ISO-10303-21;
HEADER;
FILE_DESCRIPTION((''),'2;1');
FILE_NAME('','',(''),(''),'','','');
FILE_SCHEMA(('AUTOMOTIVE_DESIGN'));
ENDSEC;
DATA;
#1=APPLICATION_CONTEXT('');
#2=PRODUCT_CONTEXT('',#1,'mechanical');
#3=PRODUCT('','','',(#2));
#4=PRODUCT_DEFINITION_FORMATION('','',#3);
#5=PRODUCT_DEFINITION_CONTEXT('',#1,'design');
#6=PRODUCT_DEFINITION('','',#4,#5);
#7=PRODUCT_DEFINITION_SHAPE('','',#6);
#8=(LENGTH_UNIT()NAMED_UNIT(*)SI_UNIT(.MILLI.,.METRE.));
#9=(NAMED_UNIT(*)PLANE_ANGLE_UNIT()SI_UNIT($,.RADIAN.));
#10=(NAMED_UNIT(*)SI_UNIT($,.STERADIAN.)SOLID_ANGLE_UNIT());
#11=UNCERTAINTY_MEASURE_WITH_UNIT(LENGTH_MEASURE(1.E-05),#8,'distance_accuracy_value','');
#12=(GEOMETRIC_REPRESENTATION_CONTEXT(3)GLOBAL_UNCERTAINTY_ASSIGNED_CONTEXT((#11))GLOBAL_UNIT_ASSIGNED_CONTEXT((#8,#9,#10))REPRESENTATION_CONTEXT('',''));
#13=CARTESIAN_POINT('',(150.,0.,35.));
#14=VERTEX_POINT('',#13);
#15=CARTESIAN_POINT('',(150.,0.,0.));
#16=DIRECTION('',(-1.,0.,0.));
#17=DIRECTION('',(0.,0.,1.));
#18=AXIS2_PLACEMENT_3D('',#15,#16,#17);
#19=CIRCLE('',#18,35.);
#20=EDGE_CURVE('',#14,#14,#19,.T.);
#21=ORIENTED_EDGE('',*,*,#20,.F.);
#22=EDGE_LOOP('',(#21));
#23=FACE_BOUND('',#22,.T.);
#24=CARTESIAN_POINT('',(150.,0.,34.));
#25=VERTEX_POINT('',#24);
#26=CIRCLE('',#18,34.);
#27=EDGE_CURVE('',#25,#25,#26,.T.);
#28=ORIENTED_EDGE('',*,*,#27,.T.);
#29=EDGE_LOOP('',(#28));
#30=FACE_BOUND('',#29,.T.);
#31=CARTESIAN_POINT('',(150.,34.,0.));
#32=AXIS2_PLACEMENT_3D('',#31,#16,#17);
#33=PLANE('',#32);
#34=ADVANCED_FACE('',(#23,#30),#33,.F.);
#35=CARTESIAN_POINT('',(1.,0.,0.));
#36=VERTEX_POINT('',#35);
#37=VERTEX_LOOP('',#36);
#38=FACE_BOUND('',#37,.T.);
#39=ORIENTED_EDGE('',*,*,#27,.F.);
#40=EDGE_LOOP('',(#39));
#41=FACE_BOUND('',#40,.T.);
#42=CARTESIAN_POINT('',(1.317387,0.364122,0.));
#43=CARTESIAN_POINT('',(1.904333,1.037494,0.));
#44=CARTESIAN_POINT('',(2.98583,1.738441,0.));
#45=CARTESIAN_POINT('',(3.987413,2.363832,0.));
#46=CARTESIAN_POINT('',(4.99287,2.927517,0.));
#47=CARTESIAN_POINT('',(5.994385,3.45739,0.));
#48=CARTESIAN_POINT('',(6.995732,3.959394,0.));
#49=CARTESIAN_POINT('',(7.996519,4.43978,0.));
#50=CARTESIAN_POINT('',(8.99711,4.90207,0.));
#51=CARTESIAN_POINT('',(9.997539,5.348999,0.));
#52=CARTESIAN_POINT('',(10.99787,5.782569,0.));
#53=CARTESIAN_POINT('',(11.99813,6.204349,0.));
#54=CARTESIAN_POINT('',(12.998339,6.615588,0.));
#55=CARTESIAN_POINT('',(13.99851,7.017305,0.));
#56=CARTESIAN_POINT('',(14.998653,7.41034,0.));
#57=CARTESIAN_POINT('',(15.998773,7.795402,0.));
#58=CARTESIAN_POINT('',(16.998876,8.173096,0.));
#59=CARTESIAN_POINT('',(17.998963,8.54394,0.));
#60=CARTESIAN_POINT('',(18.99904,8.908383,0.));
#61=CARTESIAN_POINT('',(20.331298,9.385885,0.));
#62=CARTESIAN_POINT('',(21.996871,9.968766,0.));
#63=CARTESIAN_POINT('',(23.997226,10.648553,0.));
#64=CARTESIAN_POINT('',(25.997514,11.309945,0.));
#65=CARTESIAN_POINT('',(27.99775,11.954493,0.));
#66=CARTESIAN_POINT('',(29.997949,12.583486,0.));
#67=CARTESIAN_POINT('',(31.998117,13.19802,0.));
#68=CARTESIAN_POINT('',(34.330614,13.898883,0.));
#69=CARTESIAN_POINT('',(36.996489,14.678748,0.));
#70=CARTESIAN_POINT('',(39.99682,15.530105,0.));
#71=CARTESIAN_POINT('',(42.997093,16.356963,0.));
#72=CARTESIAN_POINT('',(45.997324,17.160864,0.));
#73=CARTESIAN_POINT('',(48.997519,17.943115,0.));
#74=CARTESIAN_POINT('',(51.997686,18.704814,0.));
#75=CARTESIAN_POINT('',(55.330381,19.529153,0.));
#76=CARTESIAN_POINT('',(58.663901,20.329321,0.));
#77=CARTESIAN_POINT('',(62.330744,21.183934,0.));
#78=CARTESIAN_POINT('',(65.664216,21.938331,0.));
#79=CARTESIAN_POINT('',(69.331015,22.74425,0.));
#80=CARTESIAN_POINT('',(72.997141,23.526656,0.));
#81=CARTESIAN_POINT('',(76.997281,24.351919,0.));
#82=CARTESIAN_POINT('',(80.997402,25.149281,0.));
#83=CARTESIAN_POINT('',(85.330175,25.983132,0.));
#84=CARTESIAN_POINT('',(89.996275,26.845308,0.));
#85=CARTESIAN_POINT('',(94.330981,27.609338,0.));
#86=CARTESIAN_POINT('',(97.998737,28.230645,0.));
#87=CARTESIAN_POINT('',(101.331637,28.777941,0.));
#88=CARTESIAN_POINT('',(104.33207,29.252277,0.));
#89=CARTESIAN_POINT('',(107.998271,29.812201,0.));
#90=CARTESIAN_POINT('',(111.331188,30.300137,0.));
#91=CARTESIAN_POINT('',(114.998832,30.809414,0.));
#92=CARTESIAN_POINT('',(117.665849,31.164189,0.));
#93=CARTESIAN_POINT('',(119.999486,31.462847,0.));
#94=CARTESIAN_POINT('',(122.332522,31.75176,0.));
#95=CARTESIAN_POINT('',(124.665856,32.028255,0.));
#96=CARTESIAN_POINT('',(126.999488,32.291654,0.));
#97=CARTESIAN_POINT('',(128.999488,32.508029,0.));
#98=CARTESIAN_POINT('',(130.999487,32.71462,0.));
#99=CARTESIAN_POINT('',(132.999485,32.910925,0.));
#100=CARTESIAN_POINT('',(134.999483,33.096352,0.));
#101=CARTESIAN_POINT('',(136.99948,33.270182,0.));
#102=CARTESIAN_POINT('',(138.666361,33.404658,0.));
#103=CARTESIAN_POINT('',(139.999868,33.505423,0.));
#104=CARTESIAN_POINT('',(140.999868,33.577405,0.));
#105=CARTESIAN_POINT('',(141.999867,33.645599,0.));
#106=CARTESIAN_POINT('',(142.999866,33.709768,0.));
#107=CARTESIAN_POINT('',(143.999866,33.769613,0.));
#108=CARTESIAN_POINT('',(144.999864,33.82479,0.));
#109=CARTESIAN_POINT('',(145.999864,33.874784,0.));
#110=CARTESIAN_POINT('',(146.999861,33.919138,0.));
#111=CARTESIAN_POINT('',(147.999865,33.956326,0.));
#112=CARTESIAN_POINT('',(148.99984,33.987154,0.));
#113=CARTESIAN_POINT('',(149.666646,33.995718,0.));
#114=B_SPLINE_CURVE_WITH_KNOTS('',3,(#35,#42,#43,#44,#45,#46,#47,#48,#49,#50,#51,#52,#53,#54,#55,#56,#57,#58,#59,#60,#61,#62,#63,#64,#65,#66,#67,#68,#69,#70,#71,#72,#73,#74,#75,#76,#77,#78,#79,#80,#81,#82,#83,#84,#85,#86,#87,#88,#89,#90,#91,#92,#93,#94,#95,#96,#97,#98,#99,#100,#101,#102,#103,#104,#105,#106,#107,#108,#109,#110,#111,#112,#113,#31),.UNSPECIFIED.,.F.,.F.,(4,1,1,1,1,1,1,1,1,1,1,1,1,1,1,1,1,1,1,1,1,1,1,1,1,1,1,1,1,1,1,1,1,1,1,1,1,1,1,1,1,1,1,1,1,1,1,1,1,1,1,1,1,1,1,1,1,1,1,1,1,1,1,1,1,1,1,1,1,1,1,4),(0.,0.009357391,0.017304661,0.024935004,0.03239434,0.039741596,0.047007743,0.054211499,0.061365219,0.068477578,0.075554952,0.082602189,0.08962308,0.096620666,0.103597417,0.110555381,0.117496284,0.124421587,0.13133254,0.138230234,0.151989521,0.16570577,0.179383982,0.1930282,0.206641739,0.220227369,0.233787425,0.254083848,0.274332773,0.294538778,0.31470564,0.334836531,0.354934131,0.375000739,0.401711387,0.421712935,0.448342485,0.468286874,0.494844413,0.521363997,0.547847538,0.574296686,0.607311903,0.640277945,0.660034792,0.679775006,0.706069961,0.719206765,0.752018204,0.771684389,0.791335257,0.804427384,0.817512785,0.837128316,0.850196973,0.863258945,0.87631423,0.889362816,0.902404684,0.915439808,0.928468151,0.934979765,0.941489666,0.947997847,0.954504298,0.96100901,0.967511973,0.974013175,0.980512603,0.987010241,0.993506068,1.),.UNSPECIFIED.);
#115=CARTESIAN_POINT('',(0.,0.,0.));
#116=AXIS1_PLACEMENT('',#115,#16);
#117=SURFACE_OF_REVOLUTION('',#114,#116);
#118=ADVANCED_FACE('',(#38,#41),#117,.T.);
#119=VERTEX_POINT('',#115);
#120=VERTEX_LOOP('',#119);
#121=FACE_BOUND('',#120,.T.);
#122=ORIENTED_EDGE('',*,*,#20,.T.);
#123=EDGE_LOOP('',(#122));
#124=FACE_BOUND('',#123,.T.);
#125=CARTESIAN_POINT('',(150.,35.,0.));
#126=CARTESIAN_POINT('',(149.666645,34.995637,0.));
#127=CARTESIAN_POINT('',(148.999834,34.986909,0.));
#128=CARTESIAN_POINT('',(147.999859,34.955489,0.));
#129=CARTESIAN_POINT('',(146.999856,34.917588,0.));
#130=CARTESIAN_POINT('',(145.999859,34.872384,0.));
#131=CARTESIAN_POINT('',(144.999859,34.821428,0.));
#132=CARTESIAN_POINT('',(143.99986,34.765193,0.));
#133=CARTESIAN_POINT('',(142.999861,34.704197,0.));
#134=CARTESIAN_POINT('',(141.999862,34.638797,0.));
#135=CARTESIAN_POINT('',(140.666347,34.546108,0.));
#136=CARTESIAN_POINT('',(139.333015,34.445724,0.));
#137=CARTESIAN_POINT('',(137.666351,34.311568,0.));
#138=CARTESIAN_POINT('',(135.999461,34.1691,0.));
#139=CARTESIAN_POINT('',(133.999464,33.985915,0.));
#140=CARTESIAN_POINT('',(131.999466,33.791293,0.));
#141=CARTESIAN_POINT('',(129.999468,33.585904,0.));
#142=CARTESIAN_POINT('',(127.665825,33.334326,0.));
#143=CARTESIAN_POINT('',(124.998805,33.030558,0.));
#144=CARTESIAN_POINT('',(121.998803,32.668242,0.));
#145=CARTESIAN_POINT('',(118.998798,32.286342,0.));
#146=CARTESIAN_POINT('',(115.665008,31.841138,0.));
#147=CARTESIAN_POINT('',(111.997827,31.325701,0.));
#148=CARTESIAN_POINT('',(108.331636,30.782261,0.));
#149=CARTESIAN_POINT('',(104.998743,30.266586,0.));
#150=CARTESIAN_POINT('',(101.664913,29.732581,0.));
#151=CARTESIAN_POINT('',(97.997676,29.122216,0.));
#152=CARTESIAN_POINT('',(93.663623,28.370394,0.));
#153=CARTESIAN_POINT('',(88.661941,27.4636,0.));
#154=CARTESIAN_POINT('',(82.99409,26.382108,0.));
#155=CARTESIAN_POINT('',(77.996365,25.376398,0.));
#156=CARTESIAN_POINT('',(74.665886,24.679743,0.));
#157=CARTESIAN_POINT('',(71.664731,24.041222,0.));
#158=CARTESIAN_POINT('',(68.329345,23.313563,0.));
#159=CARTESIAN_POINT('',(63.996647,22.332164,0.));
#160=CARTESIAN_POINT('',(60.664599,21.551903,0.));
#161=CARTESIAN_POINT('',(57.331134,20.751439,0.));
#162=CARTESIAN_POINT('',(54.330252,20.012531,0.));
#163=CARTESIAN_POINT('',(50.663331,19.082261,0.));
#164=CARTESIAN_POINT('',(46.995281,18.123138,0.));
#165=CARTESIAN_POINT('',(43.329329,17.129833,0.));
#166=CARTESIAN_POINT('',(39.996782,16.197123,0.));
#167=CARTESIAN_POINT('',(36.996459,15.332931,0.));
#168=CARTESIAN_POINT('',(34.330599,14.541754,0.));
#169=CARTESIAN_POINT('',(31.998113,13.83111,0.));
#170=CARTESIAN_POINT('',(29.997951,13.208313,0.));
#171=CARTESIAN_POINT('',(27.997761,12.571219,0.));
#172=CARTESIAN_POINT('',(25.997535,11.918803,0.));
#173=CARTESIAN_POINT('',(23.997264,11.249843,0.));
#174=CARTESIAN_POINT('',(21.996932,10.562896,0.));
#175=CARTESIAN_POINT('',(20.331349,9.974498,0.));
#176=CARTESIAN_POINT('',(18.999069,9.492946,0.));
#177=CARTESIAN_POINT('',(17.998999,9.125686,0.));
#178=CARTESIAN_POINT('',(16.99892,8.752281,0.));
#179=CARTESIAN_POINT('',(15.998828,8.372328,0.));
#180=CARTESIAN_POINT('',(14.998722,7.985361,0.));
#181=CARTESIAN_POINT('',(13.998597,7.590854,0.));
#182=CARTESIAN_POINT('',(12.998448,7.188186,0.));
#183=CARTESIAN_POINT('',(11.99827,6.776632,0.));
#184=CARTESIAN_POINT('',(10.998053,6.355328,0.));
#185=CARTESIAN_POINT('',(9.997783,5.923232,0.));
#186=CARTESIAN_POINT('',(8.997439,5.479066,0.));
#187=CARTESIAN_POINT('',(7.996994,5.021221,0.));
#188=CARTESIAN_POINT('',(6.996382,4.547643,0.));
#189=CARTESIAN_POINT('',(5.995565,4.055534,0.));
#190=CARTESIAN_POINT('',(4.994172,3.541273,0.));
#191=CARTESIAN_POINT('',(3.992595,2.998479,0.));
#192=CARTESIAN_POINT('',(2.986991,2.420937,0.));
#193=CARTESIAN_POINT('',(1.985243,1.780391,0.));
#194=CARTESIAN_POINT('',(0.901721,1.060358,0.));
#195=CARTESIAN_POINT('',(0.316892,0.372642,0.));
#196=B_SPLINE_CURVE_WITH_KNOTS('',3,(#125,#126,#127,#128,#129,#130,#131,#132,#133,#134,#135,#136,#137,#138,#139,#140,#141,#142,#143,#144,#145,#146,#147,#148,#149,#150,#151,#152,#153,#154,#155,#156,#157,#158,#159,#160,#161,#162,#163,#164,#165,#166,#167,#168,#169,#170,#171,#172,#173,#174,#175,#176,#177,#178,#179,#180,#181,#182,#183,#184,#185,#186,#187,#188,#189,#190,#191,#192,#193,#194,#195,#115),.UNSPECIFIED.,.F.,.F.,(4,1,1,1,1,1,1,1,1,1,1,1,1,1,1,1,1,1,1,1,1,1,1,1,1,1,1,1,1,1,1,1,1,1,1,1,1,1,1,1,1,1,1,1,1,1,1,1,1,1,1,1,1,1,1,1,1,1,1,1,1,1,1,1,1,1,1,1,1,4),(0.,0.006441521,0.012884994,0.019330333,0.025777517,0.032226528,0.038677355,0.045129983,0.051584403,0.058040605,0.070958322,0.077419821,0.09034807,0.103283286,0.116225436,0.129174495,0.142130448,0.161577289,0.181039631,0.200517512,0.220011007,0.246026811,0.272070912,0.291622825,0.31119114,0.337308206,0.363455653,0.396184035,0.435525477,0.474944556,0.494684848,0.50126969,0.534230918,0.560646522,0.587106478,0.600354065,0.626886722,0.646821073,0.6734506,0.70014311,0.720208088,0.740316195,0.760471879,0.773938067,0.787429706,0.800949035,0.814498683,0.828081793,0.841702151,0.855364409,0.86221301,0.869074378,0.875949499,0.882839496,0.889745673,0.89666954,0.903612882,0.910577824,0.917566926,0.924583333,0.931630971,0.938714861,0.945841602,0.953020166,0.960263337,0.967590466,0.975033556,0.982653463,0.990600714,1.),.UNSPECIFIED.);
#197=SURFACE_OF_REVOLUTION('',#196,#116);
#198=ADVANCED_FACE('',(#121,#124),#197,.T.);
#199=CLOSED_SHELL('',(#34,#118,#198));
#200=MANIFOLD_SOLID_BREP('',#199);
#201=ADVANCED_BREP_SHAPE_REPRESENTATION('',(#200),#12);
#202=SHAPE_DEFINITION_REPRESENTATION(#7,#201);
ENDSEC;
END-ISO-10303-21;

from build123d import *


with BuildPart() as part:
    # Esboço6 → Revolução6 (revolve)
    with BuildSketch(Plane.XY):
        with BuildLine():
            Line((0, 0), (1, 0))
            add(Edge.make_bspline(
                [(1, 0), (1.317387187, 0.364121806), (1.904332573, 1.037493708), (2.98583019, 1.738441224), (3.987412543, 2.363831692), (4.992870183, 2.927517138), (5.994384573, 3.457389697), (6.995732115, 3.959393806), (7.996519081, 4.439779623), (8.997109587, 4.902069914), (9.997538783, 5.348998537), (10.997869768, 5.782568712), (11.998129744, 6.204349403), (12.998339335, 6.61558836), (13.998510481, 7.017305023), (14.998652882, 7.41034043), (15.99877341, 7.795401935), (16.998875611, 8.173095873), (17.998963433, 8.543940078), (18.999040288, 8.908383115), (20.331298003, 9.38588476), (21.996871021, 9.96876551), (23.997225797, 10.648553271), (25.997513657, 11.309944886), (27.997750429, 11.954493301), (29.997949274, 12.583486258), (31.99811672, 13.198019507), (34.330614487, 13.898882546), (36.99648899, 14.678748333), (39.996820101, 15.53010474), (42.997093205, 16.356962937), (45.997323681, 17.160863637), (48.997518705, 17.943114869), (51.997686083, 18.704813694), (55.330380838, 19.529152706), (58.663900761, 20.329320775), (62.330744282, 21.18393372), (65.66421555, 21.93833123), (69.331015221, 22.744249903), (72.997141119, 23.526655849), (76.997281115, 24.351919174), (80.997401802, 25.149281193), (85.330174603, 25.983131687), (89.996274836, 26.84530821), (94.330980994, 27.609337962), (97.998736944, 28.230645111), (101.331637196, 28.777940863), (104.332069869, 29.252276533), (107.99827131, 29.812201171), (111.331187697, 30.300137472), (114.998831521, 30.809413604), (117.665849222, 31.16418898), (119.999486283, 31.46284654), (122.332522106, 31.751759534), (124.665856209, 32.028254827), (126.9994884, 32.291653528), (128.999487992, 32.508029453), (130.999486827, 32.714619608), (132.999485034, 32.910924999), (134.999482686, 33.096351776), (136.999479758, 33.270181997), (138.666361281, 33.404657796), (139.999868432, 33.505423413), (140.999867793, 33.577405015), (141.999867173, 33.645598934), (142.999866303, 33.709768489), (143.999865593, 33.769613382), (144.99986449, 33.824789584), (145.999863865, 33.874783557), (146.99986122, 33.919137565), (147.999864653, 33.956326487), (148.999840447, 33.987153947), (149.666645898, 33.995718399), (150, 34)],
                knots=[0, 0, 0, 0, 0.009357391, 0.017304661, 0.024935004, 0.03239434, 0.039741596, 0.047007743, 0.054211499, 0.061365219, 0.068477578, 0.075554952, 0.082602189, 0.08962308, 0.096620666, 0.103597417, 0.110555381, 0.117496284, 0.124421587, 0.13133254, 0.138230234, 0.151989521, 0.16570577, 0.179383982, 0.1930282, 0.206641739, 0.220227369, 0.233787425, 0.254083848, 0.274332773, 0.294538778, 0.31470564, 0.334836531, 0.354934131, 0.375000739, 0.401711387, 0.421712935, 0.448342485, 0.468286874, 0.494844413, 0.521363997, 0.547847538, 0.574296686, 0.607311903, 0.640277945, 0.660034792, 0.679775006, 0.706069961, 0.719206765, 0.752018204, 0.771684389, 0.791335257, 0.804427384, 0.817512785, 0.837128316, 0.850196973, 0.863258945, 0.87631423, 0.889362816, 0.902404684, 0.915439808, 0.928468151, 0.934979765, 0.941489666, 0.947997847, 0.954504298, 0.96100901, 0.967511973, 0.974013175, 0.980512603, 0.987010241, 0.993506068, 1, 1, 1, 1], degree=3))
            Line((150, 34), (150, 35))
            add(Edge.make_bspline(
                [(0, 0), (0.316891895, 0.372641581), (0.901721127, 1.06035778), (1.985242834, 1.780391345), (2.986990575, 2.420936587), (3.992595, 2.998478591), (4.994172375, 3.541272769), (5.995564725, 4.055534305), (6.996381818, 4.547642648), (7.996993526, 5.021221046), (8.997439026, 5.479066205), (9.997783119, 5.923231703), (10.998052821, 6.355328173), (11.998270476, 6.776631801), (12.998448471, 7.18818641), (13.998596677, 7.590854272), (14.998721921, 7.985361029), (15.998827826, 8.372327502), (16.998919932, 8.752280613), (17.998999295, 9.125686066), (18.999069145, 9.492945914), (20.331349074, 9.974498435), (21.996932268, 10.562896159), (23.997264021, 11.249843054), (25.997535063, 11.918802839), (27.997761332, 12.571219041), (29.997950769, 13.208312868), (31.998112514, 13.831110447), (34.330599058, 14.541753737), (36.996458835, 15.332931025), (39.996781513, 16.19712296), (43.329329099, 17.129832593), (46.995280689, 18.123137909), (50.663330611, 19.08226075), (54.330251693, 20.012530805), (57.331134336, 20.751438797), (60.664599079, 21.551902605), (63.996646722, 22.332164001), (68.329345335, 23.313563152), (71.664730666, 24.041221585), (74.665885919, 24.67974327), (77.996365254, 25.376398445), (82.994089984, 26.382108244), (88.661941222, 27.463599715), (93.663622678, 28.370393782), (97.997675675, 29.122215812), (101.664913183, 29.732580677), (104.998742545, 30.266585708), (108.331635507, 30.782261266), (111.997826538, 31.325700973), (115.665008316, 31.841138067), (118.998798295, 32.286341894), (121.998802949, 32.668241534), (124.998805252, 33.030557793), (127.665825418, 33.334325943), (129.999467702, 33.585903815), (131.999466368, 33.791292826), (133.999464051, 33.98591458), (135.999461315, 34.169099555), (137.666350743, 34.311568494), (139.333015348, 34.445723944), (140.666346824, 34.546108298), (141.999861926, 34.638797214), (142.999861204, 34.704197214), (143.999860357, 34.765193296), (144.999859271, 34.821428478), (145.999858561, 34.87238356), (146.999855834, 34.917588386), (147.999859438, 34.955489225), (148.999834262, 34.986908502), (149.666645092, 34.995636608), (150, 35)],
                knots=[0, 0, 0, 0, 0.009399286, 0.017346537, 0.024966444, 0.032409534, 0.039736663, 0.046979834, 0.054158398, 0.061285139, 0.068369029, 0.075416667, 0.082433074, 0.089422176, 0.096387118, 0.10333046, 0.110254327, 0.117160504, 0.124050501, 0.130925622, 0.13778699, 0.144635591, 0.158297849, 0.171918207, 0.185501317, 0.199050965, 0.212570294, 0.226061933, 0.239528121, 0.259683805, 0.279791912, 0.29985689, 0.3265494, 0.353178927, 0.373113278, 0.399645935, 0.412893522, 0.439353478, 0.465769082, 0.49873031, 0.505315152, 0.525055444, 0.564474523, 0.603815965, 0.636544347, 0.662691794, 0.68880886, 0.708377175, 0.727929088, 0.753973189, 0.779988993, 0.799482488, 0.818960369, 0.838422711, 0.857869552, 0.870825505, 0.883774564, 0.896716714, 0.90965193, 0.922580179, 0.929041678, 0.941959395, 0.948415597, 0.954870017, 0.961322645, 0.967773472, 0.974222483, 0.980669667, 0.987115006, 0.993558479, 1, 1, 1, 1], degree=3))
        make_face()
    revolve(axis=Axis((0, 0, 0), (1, 0, 0)))


solid = part.part
